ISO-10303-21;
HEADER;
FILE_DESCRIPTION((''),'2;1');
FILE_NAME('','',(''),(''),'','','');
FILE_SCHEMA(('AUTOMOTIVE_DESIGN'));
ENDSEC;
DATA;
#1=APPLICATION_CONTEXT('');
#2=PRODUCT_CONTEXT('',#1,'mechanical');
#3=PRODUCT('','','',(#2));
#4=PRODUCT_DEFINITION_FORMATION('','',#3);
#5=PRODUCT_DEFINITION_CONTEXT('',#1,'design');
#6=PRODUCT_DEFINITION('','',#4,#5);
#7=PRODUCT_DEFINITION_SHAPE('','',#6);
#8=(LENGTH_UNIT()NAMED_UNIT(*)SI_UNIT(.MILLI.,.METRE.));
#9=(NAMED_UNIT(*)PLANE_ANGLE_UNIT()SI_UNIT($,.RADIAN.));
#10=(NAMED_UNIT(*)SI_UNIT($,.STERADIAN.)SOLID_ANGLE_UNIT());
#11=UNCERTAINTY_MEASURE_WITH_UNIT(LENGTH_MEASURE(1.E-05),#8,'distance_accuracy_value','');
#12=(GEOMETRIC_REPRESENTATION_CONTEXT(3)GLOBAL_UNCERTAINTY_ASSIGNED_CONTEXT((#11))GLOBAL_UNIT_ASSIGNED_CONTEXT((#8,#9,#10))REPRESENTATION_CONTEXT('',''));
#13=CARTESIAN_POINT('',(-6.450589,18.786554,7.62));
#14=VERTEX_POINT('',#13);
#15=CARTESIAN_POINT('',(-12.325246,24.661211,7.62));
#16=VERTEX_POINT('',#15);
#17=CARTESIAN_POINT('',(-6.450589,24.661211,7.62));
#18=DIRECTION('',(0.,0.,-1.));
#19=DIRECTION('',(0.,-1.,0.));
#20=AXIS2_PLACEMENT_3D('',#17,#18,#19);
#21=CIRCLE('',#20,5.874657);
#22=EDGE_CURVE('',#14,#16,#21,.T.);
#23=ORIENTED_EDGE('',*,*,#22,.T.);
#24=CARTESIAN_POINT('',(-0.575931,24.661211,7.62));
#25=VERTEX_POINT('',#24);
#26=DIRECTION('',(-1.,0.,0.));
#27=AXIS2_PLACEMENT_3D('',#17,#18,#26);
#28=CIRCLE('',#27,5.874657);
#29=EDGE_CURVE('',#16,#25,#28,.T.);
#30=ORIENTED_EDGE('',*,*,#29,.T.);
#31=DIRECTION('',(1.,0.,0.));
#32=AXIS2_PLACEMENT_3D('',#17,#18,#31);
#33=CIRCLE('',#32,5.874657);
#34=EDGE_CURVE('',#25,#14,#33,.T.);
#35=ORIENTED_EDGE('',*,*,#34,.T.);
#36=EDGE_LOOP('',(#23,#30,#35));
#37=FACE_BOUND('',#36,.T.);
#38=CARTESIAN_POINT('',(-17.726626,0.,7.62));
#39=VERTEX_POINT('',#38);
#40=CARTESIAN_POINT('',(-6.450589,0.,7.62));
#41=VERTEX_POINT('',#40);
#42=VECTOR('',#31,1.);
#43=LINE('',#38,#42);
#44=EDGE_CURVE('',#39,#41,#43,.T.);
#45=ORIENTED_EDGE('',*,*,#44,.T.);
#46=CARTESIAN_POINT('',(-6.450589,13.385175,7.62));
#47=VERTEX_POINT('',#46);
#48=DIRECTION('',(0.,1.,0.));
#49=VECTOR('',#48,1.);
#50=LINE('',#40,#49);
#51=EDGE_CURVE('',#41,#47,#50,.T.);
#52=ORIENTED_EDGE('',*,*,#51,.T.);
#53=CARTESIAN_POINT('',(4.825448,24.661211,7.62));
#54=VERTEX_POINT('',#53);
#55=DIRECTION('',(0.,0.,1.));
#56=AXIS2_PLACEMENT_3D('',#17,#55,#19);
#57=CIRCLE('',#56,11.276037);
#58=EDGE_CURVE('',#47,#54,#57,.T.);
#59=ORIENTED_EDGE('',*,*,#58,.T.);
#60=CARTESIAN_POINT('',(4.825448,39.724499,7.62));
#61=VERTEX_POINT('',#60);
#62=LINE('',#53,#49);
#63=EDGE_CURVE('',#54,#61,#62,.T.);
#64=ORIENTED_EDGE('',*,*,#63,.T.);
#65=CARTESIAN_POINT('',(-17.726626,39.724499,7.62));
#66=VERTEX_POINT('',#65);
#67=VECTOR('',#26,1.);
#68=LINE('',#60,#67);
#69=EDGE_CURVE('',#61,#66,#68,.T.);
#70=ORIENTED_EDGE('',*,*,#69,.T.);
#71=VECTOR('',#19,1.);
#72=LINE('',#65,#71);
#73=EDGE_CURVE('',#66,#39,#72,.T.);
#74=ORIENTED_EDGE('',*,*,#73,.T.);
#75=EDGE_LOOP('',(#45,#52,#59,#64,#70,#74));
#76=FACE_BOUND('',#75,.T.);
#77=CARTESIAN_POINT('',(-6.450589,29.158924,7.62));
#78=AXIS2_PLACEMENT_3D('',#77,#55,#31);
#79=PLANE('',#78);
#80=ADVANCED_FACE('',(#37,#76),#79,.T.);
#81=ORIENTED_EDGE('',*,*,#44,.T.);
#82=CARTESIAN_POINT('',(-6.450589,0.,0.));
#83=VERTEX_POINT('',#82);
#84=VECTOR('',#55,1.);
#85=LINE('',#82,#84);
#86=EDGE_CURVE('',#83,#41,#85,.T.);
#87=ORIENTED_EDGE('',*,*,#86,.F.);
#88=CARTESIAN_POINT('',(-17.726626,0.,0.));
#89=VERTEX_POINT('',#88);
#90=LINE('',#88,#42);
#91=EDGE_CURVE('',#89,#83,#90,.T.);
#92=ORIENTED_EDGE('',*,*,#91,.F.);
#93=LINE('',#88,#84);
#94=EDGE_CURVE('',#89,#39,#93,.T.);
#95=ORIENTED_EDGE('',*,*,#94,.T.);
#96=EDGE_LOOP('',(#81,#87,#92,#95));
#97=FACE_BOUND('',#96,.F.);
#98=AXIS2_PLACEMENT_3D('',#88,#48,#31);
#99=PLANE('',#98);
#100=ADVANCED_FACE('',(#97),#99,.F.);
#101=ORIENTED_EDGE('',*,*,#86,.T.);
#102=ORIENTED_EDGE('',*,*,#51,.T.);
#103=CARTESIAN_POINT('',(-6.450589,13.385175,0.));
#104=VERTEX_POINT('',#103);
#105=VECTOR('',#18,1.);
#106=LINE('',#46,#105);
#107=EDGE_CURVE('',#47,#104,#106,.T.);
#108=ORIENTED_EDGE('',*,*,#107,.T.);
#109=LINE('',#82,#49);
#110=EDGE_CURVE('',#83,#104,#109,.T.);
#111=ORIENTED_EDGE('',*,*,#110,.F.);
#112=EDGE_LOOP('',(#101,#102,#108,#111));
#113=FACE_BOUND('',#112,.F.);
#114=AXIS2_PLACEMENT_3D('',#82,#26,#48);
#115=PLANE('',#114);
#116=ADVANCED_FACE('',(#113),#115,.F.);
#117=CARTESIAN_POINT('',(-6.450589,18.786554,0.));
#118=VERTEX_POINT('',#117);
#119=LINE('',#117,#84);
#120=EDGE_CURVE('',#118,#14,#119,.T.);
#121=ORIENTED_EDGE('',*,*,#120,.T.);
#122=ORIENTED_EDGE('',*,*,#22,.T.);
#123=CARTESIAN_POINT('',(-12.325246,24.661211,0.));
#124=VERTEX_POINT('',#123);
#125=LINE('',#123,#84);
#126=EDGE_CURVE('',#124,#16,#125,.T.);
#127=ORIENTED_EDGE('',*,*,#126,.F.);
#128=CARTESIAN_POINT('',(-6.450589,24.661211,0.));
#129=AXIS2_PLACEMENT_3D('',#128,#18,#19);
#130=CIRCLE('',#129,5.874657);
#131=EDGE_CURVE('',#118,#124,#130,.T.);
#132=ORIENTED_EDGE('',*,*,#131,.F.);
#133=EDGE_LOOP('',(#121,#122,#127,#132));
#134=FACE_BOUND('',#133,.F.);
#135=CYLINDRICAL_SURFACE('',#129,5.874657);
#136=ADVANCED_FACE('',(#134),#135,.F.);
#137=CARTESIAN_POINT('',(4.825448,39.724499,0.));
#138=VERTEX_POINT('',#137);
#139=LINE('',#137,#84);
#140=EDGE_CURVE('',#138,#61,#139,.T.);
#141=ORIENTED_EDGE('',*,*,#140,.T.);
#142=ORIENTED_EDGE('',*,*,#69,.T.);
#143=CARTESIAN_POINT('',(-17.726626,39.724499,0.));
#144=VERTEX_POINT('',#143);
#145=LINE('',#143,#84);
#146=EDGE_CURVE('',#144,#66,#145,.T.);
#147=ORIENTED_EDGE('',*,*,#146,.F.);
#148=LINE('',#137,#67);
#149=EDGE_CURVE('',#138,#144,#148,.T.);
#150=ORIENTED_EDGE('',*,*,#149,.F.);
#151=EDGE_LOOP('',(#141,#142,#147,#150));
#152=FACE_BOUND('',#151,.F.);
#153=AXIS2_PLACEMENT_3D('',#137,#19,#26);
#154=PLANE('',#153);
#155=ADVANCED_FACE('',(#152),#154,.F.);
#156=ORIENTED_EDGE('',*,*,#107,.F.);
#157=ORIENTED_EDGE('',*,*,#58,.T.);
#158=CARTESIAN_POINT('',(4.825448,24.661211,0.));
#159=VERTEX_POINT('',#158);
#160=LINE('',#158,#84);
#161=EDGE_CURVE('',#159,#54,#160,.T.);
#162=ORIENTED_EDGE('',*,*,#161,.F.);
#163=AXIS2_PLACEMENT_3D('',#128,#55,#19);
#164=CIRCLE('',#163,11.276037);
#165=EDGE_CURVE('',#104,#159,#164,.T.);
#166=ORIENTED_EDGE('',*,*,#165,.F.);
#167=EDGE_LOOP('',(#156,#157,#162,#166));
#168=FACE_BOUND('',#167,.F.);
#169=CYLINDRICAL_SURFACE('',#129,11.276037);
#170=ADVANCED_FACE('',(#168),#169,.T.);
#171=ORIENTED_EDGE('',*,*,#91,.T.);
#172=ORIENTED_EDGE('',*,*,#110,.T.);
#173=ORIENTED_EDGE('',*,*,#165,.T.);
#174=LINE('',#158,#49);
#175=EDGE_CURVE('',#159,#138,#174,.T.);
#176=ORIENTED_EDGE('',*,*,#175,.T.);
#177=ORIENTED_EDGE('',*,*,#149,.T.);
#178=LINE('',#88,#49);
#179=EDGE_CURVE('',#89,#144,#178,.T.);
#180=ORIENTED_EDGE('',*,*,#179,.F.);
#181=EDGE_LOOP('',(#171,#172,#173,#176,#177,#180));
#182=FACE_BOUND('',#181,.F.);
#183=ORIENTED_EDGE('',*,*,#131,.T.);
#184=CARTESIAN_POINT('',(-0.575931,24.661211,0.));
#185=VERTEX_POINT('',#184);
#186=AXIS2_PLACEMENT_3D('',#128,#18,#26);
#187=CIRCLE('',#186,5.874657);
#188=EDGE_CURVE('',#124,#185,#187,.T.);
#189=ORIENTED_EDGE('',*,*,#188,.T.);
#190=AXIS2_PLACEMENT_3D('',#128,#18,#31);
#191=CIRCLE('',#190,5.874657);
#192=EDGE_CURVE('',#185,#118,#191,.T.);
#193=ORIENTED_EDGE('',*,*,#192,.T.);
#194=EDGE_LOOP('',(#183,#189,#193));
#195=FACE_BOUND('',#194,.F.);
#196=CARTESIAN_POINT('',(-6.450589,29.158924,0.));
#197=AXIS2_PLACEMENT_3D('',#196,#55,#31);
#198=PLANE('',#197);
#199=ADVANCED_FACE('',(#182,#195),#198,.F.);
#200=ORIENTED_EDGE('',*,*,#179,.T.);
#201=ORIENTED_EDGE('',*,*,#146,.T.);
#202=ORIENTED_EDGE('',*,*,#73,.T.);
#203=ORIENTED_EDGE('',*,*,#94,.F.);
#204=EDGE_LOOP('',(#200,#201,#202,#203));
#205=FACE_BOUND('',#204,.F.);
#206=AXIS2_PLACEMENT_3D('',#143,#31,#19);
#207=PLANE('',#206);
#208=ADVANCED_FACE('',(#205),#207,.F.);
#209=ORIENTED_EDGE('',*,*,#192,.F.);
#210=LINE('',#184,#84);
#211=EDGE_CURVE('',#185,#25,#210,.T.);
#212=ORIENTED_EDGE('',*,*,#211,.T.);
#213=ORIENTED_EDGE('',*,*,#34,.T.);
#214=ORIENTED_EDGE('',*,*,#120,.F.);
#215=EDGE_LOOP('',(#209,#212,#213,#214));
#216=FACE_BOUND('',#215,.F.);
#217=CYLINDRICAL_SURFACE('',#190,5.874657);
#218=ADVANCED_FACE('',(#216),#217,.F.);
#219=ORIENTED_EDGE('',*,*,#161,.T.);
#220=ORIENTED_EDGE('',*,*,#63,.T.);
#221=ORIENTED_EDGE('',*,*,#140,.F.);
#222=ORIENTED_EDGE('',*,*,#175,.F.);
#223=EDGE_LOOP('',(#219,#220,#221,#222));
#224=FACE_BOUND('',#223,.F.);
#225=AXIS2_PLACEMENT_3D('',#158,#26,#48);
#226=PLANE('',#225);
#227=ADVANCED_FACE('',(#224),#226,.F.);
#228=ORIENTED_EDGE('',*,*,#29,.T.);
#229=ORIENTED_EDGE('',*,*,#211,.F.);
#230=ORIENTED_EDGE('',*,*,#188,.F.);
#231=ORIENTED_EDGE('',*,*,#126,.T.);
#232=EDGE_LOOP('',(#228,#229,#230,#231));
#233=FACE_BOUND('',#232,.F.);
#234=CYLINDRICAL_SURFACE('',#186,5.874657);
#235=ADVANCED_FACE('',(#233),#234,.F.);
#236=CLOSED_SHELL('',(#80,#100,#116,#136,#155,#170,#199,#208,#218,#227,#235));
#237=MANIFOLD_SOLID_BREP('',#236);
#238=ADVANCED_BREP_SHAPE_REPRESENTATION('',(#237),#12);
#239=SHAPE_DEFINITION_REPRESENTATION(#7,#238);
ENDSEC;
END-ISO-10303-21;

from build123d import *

# Parameters (mm, degrees)
F1_DEPTH = 6.35
F2_DEPTH = 7.62


with BuildPart() as f1:
    # F0 (on Top) → F1 (new body)
    with BuildSketch(Plane.XY):
        with BuildLine():
            ThreePointArc((-6.4505888149, 13.3851745337), (-14.4239508751, 16.6878492367), (-17.7266255781, 24.6612112969))
            Line((-17.7266255781, 24.6612112969), (-17.7266255781, 0))
            Line((-17.7266255781, 0), (-6.4505888149, 0))
            Line((-6.4505888149, 0), (-6.4505888149, 13.3851745337))
        make_face()
    extrude(amount=F1_DEPTH)

    # F0 (on Top) → F2 (join)
    with BuildSketch(Plane.XY):
        with BuildLine():
            ThreePointArc((4.8254479483, 24.6612112969), (-6.4505888149, 35.9372480601), (-17.7266255781, 24.6612112969))
            Line((-17.7266255781, 24.6612112969), (-12.3252461516, 24.6612112969))
            ThreePointArc((-12.3252461516, 24.6612112969), (-6.4505888149, 30.5358686336), (-0.5759314782, 24.6612112969))
            Line((-0.5759314782, 24.6612112969), (4.8254479483, 24.6612112969))
        make_face()
        with BuildLine():
            ThreePointArc((-6.4505888149, 13.3851745337), (-14.4239508751, 16.6878492367), (-17.7266255781, 24.6612112969))
            Line((-17.7266255781, 24.6612112969), (-17.7266255781, 0))
            Line((-17.7266255781, 0), (-6.4505888149, 0))
            Line((-6.4505888149, 0), (-6.4505888149, 13.3851745337))
        make_face()
        with BuildLine():
            Line((-17.7266255781, 39.7244989872), (-17.7266255781, 24.6612112969))
            ThreePointArc((-17.7266255781, 24.6612112969), (-6.4505888149, 35.9372480601), (4.8254479483, 24.6612112969))
            Line((4.8254479483, 24.6612112969), (4.8254479483, 39.7244989872))
            Line((4.8254479483, 39.7244989872), (-17.7266255781, 39.7244989872))
        make_face()
        with BuildLine():
            Line((-12.3252461516, 24.6612112969), (-17.7266255781, 24.6612112969))
            ThreePointArc((-17.7266255781, 24.6612112969), (-14.4239508751, 16.6878492367), (-6.4505888149, 13.3851745337))
            Line((-6.4505888149, 13.3851745337), (-6.4505888149, 18.7865539602))
            ThreePointArc((-6.4505888149, 18.7865539602), (-10.6045988548, 20.507201257), (-12.3252461516, 24.6612112969))
        make_face()
        with BuildLine():
            ThreePointArc((-6.4505888149, 13.3851745337), (1.5227732453, 16.6878492367), (4.8254479483, 24.6612112969))
            Line((4.8254479483, 24.6612112969), (-0.5759314782, 24.6612112969))
            ThreePointArc((-0.5759314782, 24.6612112969), (-2.296578775, 20.507201257), (-6.4505888149, 18.7865539602))
            Line((-6.4505888149, 18.7865539602), (-6.4505888149, 13.3851745337))
        make_face()
    extrude(amount=F2_DEPTH)


solid = f1.part
